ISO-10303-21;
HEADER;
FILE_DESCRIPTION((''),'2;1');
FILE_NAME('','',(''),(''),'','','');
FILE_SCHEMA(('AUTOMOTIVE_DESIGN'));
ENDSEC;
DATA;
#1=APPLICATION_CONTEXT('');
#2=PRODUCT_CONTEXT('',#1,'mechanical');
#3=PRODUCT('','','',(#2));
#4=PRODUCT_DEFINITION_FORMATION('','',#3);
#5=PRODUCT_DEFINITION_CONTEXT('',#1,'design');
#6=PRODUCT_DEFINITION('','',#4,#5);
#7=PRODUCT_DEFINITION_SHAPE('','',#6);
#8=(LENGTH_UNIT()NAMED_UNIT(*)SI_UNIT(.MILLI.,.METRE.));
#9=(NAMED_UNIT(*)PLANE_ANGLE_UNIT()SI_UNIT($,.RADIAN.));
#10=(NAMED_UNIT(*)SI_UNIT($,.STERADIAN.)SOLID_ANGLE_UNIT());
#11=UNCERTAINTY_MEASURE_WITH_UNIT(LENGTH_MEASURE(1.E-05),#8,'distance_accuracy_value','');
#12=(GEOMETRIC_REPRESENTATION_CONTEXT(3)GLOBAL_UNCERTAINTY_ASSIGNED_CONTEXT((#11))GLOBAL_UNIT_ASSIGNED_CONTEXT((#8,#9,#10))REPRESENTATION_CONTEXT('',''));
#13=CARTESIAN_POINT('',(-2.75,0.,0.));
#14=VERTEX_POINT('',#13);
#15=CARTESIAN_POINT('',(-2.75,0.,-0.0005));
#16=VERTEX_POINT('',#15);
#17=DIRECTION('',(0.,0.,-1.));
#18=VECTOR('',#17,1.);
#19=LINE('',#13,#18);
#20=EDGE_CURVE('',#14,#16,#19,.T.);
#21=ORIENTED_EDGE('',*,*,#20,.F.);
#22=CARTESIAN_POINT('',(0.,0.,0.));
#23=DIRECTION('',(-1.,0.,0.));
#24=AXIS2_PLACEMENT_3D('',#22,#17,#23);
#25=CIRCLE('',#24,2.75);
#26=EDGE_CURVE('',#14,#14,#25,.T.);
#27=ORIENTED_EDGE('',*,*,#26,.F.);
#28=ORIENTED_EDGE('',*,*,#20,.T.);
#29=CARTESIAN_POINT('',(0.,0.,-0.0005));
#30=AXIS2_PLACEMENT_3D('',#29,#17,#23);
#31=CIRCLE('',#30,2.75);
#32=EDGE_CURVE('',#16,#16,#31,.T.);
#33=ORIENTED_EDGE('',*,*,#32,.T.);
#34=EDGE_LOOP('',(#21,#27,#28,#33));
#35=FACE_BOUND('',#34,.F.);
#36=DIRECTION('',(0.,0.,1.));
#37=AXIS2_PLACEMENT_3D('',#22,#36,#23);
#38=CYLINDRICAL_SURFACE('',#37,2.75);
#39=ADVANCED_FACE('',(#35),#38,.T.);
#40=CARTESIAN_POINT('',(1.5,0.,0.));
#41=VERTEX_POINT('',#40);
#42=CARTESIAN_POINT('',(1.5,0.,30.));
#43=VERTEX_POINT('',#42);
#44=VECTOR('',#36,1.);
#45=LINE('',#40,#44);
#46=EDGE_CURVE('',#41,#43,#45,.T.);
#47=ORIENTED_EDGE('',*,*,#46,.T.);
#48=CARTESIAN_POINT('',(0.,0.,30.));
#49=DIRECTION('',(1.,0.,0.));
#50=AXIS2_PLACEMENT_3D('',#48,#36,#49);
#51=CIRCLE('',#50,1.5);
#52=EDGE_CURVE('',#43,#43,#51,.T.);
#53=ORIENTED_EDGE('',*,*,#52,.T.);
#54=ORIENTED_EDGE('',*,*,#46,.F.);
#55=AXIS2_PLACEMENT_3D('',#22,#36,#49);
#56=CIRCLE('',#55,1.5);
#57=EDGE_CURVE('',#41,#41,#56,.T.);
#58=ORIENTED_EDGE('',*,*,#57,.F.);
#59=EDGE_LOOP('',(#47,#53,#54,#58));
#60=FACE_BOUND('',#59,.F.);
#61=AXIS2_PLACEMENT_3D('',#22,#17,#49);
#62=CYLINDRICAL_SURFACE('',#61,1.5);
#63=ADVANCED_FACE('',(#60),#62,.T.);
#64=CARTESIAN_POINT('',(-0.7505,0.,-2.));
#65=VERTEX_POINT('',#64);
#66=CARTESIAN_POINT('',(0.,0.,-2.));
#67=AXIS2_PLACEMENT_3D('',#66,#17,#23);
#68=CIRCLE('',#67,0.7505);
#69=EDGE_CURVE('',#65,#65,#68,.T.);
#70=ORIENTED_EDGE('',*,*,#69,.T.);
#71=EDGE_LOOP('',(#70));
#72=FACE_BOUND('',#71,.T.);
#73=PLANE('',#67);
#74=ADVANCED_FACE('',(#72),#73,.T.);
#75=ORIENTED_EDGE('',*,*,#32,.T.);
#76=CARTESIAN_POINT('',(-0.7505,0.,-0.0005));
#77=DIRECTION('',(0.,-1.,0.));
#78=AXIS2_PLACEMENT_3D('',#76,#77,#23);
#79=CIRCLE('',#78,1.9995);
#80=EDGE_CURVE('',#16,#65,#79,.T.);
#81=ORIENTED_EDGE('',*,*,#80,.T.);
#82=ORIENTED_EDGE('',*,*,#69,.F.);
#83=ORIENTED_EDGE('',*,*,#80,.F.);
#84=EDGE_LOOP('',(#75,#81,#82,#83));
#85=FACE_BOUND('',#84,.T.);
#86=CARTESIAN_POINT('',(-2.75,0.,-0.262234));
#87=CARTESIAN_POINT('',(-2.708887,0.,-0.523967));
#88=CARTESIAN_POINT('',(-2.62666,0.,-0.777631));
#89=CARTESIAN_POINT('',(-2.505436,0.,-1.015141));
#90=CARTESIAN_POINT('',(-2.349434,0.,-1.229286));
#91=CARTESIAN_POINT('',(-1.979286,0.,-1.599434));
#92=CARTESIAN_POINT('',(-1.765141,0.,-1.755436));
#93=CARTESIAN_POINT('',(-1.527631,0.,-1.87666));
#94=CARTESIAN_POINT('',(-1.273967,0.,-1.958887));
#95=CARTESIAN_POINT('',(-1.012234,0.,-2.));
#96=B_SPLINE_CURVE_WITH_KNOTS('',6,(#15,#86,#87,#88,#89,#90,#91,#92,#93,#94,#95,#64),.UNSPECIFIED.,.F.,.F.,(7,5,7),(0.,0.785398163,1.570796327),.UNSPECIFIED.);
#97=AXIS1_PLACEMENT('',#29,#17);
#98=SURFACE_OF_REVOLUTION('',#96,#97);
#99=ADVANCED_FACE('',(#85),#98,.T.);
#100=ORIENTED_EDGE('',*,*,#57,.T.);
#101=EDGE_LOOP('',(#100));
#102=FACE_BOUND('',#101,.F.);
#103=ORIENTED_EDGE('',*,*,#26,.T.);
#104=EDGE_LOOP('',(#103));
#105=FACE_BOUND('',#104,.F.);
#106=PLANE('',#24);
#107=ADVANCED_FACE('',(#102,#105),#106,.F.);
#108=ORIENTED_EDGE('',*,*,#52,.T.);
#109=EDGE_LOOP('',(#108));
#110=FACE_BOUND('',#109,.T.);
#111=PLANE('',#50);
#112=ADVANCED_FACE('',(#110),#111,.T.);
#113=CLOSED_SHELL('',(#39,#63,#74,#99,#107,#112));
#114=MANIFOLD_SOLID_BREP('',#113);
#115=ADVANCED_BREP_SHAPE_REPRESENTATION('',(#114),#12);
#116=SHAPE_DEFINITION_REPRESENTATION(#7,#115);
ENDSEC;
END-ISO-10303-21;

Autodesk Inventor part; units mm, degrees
ref_plane "YZ Plane" through (0, 0, 0) normal (1, 0, 0) x (0, 1, 0)
ref_plane "XZ Plane" through (0, 0, 0) normal (0, 1, 0) x (-1, 0, 0)
ref_plane "XY Plane" through (0, 0, 0) normal (0, 0, 1) x (1, 0, 0)
sketch "スケッチ1" plane through (0, 0, 0) normal (0, 0, 1) x (1, 0, 0)
  circle A0 centre (0, 0) radius 1.5
  dimension "d0" = 3
extrude "押し出し1" add sketch "スケッチ1" along normal blind 30
sketch "スケッチ2" plane through (0, 0, 0) normal (0, 0, -1) x (-1, 0, 0)
  circle A0 centre (0, 0) radius 2.75
  dimension "d3" = 5.5
extrude "押し出し2" add sketch "スケッチ2" along normal blind 2
fillet "フィレット1" radius 2 1 edges at (2.75, 0, -2)
thread "ねじ1" size "M3x0.5" class "6g" standard "ANSI Metric M Profile" full length
properties part number "ネジ鍋m3,30" material "鋼、高強度、低合金"
